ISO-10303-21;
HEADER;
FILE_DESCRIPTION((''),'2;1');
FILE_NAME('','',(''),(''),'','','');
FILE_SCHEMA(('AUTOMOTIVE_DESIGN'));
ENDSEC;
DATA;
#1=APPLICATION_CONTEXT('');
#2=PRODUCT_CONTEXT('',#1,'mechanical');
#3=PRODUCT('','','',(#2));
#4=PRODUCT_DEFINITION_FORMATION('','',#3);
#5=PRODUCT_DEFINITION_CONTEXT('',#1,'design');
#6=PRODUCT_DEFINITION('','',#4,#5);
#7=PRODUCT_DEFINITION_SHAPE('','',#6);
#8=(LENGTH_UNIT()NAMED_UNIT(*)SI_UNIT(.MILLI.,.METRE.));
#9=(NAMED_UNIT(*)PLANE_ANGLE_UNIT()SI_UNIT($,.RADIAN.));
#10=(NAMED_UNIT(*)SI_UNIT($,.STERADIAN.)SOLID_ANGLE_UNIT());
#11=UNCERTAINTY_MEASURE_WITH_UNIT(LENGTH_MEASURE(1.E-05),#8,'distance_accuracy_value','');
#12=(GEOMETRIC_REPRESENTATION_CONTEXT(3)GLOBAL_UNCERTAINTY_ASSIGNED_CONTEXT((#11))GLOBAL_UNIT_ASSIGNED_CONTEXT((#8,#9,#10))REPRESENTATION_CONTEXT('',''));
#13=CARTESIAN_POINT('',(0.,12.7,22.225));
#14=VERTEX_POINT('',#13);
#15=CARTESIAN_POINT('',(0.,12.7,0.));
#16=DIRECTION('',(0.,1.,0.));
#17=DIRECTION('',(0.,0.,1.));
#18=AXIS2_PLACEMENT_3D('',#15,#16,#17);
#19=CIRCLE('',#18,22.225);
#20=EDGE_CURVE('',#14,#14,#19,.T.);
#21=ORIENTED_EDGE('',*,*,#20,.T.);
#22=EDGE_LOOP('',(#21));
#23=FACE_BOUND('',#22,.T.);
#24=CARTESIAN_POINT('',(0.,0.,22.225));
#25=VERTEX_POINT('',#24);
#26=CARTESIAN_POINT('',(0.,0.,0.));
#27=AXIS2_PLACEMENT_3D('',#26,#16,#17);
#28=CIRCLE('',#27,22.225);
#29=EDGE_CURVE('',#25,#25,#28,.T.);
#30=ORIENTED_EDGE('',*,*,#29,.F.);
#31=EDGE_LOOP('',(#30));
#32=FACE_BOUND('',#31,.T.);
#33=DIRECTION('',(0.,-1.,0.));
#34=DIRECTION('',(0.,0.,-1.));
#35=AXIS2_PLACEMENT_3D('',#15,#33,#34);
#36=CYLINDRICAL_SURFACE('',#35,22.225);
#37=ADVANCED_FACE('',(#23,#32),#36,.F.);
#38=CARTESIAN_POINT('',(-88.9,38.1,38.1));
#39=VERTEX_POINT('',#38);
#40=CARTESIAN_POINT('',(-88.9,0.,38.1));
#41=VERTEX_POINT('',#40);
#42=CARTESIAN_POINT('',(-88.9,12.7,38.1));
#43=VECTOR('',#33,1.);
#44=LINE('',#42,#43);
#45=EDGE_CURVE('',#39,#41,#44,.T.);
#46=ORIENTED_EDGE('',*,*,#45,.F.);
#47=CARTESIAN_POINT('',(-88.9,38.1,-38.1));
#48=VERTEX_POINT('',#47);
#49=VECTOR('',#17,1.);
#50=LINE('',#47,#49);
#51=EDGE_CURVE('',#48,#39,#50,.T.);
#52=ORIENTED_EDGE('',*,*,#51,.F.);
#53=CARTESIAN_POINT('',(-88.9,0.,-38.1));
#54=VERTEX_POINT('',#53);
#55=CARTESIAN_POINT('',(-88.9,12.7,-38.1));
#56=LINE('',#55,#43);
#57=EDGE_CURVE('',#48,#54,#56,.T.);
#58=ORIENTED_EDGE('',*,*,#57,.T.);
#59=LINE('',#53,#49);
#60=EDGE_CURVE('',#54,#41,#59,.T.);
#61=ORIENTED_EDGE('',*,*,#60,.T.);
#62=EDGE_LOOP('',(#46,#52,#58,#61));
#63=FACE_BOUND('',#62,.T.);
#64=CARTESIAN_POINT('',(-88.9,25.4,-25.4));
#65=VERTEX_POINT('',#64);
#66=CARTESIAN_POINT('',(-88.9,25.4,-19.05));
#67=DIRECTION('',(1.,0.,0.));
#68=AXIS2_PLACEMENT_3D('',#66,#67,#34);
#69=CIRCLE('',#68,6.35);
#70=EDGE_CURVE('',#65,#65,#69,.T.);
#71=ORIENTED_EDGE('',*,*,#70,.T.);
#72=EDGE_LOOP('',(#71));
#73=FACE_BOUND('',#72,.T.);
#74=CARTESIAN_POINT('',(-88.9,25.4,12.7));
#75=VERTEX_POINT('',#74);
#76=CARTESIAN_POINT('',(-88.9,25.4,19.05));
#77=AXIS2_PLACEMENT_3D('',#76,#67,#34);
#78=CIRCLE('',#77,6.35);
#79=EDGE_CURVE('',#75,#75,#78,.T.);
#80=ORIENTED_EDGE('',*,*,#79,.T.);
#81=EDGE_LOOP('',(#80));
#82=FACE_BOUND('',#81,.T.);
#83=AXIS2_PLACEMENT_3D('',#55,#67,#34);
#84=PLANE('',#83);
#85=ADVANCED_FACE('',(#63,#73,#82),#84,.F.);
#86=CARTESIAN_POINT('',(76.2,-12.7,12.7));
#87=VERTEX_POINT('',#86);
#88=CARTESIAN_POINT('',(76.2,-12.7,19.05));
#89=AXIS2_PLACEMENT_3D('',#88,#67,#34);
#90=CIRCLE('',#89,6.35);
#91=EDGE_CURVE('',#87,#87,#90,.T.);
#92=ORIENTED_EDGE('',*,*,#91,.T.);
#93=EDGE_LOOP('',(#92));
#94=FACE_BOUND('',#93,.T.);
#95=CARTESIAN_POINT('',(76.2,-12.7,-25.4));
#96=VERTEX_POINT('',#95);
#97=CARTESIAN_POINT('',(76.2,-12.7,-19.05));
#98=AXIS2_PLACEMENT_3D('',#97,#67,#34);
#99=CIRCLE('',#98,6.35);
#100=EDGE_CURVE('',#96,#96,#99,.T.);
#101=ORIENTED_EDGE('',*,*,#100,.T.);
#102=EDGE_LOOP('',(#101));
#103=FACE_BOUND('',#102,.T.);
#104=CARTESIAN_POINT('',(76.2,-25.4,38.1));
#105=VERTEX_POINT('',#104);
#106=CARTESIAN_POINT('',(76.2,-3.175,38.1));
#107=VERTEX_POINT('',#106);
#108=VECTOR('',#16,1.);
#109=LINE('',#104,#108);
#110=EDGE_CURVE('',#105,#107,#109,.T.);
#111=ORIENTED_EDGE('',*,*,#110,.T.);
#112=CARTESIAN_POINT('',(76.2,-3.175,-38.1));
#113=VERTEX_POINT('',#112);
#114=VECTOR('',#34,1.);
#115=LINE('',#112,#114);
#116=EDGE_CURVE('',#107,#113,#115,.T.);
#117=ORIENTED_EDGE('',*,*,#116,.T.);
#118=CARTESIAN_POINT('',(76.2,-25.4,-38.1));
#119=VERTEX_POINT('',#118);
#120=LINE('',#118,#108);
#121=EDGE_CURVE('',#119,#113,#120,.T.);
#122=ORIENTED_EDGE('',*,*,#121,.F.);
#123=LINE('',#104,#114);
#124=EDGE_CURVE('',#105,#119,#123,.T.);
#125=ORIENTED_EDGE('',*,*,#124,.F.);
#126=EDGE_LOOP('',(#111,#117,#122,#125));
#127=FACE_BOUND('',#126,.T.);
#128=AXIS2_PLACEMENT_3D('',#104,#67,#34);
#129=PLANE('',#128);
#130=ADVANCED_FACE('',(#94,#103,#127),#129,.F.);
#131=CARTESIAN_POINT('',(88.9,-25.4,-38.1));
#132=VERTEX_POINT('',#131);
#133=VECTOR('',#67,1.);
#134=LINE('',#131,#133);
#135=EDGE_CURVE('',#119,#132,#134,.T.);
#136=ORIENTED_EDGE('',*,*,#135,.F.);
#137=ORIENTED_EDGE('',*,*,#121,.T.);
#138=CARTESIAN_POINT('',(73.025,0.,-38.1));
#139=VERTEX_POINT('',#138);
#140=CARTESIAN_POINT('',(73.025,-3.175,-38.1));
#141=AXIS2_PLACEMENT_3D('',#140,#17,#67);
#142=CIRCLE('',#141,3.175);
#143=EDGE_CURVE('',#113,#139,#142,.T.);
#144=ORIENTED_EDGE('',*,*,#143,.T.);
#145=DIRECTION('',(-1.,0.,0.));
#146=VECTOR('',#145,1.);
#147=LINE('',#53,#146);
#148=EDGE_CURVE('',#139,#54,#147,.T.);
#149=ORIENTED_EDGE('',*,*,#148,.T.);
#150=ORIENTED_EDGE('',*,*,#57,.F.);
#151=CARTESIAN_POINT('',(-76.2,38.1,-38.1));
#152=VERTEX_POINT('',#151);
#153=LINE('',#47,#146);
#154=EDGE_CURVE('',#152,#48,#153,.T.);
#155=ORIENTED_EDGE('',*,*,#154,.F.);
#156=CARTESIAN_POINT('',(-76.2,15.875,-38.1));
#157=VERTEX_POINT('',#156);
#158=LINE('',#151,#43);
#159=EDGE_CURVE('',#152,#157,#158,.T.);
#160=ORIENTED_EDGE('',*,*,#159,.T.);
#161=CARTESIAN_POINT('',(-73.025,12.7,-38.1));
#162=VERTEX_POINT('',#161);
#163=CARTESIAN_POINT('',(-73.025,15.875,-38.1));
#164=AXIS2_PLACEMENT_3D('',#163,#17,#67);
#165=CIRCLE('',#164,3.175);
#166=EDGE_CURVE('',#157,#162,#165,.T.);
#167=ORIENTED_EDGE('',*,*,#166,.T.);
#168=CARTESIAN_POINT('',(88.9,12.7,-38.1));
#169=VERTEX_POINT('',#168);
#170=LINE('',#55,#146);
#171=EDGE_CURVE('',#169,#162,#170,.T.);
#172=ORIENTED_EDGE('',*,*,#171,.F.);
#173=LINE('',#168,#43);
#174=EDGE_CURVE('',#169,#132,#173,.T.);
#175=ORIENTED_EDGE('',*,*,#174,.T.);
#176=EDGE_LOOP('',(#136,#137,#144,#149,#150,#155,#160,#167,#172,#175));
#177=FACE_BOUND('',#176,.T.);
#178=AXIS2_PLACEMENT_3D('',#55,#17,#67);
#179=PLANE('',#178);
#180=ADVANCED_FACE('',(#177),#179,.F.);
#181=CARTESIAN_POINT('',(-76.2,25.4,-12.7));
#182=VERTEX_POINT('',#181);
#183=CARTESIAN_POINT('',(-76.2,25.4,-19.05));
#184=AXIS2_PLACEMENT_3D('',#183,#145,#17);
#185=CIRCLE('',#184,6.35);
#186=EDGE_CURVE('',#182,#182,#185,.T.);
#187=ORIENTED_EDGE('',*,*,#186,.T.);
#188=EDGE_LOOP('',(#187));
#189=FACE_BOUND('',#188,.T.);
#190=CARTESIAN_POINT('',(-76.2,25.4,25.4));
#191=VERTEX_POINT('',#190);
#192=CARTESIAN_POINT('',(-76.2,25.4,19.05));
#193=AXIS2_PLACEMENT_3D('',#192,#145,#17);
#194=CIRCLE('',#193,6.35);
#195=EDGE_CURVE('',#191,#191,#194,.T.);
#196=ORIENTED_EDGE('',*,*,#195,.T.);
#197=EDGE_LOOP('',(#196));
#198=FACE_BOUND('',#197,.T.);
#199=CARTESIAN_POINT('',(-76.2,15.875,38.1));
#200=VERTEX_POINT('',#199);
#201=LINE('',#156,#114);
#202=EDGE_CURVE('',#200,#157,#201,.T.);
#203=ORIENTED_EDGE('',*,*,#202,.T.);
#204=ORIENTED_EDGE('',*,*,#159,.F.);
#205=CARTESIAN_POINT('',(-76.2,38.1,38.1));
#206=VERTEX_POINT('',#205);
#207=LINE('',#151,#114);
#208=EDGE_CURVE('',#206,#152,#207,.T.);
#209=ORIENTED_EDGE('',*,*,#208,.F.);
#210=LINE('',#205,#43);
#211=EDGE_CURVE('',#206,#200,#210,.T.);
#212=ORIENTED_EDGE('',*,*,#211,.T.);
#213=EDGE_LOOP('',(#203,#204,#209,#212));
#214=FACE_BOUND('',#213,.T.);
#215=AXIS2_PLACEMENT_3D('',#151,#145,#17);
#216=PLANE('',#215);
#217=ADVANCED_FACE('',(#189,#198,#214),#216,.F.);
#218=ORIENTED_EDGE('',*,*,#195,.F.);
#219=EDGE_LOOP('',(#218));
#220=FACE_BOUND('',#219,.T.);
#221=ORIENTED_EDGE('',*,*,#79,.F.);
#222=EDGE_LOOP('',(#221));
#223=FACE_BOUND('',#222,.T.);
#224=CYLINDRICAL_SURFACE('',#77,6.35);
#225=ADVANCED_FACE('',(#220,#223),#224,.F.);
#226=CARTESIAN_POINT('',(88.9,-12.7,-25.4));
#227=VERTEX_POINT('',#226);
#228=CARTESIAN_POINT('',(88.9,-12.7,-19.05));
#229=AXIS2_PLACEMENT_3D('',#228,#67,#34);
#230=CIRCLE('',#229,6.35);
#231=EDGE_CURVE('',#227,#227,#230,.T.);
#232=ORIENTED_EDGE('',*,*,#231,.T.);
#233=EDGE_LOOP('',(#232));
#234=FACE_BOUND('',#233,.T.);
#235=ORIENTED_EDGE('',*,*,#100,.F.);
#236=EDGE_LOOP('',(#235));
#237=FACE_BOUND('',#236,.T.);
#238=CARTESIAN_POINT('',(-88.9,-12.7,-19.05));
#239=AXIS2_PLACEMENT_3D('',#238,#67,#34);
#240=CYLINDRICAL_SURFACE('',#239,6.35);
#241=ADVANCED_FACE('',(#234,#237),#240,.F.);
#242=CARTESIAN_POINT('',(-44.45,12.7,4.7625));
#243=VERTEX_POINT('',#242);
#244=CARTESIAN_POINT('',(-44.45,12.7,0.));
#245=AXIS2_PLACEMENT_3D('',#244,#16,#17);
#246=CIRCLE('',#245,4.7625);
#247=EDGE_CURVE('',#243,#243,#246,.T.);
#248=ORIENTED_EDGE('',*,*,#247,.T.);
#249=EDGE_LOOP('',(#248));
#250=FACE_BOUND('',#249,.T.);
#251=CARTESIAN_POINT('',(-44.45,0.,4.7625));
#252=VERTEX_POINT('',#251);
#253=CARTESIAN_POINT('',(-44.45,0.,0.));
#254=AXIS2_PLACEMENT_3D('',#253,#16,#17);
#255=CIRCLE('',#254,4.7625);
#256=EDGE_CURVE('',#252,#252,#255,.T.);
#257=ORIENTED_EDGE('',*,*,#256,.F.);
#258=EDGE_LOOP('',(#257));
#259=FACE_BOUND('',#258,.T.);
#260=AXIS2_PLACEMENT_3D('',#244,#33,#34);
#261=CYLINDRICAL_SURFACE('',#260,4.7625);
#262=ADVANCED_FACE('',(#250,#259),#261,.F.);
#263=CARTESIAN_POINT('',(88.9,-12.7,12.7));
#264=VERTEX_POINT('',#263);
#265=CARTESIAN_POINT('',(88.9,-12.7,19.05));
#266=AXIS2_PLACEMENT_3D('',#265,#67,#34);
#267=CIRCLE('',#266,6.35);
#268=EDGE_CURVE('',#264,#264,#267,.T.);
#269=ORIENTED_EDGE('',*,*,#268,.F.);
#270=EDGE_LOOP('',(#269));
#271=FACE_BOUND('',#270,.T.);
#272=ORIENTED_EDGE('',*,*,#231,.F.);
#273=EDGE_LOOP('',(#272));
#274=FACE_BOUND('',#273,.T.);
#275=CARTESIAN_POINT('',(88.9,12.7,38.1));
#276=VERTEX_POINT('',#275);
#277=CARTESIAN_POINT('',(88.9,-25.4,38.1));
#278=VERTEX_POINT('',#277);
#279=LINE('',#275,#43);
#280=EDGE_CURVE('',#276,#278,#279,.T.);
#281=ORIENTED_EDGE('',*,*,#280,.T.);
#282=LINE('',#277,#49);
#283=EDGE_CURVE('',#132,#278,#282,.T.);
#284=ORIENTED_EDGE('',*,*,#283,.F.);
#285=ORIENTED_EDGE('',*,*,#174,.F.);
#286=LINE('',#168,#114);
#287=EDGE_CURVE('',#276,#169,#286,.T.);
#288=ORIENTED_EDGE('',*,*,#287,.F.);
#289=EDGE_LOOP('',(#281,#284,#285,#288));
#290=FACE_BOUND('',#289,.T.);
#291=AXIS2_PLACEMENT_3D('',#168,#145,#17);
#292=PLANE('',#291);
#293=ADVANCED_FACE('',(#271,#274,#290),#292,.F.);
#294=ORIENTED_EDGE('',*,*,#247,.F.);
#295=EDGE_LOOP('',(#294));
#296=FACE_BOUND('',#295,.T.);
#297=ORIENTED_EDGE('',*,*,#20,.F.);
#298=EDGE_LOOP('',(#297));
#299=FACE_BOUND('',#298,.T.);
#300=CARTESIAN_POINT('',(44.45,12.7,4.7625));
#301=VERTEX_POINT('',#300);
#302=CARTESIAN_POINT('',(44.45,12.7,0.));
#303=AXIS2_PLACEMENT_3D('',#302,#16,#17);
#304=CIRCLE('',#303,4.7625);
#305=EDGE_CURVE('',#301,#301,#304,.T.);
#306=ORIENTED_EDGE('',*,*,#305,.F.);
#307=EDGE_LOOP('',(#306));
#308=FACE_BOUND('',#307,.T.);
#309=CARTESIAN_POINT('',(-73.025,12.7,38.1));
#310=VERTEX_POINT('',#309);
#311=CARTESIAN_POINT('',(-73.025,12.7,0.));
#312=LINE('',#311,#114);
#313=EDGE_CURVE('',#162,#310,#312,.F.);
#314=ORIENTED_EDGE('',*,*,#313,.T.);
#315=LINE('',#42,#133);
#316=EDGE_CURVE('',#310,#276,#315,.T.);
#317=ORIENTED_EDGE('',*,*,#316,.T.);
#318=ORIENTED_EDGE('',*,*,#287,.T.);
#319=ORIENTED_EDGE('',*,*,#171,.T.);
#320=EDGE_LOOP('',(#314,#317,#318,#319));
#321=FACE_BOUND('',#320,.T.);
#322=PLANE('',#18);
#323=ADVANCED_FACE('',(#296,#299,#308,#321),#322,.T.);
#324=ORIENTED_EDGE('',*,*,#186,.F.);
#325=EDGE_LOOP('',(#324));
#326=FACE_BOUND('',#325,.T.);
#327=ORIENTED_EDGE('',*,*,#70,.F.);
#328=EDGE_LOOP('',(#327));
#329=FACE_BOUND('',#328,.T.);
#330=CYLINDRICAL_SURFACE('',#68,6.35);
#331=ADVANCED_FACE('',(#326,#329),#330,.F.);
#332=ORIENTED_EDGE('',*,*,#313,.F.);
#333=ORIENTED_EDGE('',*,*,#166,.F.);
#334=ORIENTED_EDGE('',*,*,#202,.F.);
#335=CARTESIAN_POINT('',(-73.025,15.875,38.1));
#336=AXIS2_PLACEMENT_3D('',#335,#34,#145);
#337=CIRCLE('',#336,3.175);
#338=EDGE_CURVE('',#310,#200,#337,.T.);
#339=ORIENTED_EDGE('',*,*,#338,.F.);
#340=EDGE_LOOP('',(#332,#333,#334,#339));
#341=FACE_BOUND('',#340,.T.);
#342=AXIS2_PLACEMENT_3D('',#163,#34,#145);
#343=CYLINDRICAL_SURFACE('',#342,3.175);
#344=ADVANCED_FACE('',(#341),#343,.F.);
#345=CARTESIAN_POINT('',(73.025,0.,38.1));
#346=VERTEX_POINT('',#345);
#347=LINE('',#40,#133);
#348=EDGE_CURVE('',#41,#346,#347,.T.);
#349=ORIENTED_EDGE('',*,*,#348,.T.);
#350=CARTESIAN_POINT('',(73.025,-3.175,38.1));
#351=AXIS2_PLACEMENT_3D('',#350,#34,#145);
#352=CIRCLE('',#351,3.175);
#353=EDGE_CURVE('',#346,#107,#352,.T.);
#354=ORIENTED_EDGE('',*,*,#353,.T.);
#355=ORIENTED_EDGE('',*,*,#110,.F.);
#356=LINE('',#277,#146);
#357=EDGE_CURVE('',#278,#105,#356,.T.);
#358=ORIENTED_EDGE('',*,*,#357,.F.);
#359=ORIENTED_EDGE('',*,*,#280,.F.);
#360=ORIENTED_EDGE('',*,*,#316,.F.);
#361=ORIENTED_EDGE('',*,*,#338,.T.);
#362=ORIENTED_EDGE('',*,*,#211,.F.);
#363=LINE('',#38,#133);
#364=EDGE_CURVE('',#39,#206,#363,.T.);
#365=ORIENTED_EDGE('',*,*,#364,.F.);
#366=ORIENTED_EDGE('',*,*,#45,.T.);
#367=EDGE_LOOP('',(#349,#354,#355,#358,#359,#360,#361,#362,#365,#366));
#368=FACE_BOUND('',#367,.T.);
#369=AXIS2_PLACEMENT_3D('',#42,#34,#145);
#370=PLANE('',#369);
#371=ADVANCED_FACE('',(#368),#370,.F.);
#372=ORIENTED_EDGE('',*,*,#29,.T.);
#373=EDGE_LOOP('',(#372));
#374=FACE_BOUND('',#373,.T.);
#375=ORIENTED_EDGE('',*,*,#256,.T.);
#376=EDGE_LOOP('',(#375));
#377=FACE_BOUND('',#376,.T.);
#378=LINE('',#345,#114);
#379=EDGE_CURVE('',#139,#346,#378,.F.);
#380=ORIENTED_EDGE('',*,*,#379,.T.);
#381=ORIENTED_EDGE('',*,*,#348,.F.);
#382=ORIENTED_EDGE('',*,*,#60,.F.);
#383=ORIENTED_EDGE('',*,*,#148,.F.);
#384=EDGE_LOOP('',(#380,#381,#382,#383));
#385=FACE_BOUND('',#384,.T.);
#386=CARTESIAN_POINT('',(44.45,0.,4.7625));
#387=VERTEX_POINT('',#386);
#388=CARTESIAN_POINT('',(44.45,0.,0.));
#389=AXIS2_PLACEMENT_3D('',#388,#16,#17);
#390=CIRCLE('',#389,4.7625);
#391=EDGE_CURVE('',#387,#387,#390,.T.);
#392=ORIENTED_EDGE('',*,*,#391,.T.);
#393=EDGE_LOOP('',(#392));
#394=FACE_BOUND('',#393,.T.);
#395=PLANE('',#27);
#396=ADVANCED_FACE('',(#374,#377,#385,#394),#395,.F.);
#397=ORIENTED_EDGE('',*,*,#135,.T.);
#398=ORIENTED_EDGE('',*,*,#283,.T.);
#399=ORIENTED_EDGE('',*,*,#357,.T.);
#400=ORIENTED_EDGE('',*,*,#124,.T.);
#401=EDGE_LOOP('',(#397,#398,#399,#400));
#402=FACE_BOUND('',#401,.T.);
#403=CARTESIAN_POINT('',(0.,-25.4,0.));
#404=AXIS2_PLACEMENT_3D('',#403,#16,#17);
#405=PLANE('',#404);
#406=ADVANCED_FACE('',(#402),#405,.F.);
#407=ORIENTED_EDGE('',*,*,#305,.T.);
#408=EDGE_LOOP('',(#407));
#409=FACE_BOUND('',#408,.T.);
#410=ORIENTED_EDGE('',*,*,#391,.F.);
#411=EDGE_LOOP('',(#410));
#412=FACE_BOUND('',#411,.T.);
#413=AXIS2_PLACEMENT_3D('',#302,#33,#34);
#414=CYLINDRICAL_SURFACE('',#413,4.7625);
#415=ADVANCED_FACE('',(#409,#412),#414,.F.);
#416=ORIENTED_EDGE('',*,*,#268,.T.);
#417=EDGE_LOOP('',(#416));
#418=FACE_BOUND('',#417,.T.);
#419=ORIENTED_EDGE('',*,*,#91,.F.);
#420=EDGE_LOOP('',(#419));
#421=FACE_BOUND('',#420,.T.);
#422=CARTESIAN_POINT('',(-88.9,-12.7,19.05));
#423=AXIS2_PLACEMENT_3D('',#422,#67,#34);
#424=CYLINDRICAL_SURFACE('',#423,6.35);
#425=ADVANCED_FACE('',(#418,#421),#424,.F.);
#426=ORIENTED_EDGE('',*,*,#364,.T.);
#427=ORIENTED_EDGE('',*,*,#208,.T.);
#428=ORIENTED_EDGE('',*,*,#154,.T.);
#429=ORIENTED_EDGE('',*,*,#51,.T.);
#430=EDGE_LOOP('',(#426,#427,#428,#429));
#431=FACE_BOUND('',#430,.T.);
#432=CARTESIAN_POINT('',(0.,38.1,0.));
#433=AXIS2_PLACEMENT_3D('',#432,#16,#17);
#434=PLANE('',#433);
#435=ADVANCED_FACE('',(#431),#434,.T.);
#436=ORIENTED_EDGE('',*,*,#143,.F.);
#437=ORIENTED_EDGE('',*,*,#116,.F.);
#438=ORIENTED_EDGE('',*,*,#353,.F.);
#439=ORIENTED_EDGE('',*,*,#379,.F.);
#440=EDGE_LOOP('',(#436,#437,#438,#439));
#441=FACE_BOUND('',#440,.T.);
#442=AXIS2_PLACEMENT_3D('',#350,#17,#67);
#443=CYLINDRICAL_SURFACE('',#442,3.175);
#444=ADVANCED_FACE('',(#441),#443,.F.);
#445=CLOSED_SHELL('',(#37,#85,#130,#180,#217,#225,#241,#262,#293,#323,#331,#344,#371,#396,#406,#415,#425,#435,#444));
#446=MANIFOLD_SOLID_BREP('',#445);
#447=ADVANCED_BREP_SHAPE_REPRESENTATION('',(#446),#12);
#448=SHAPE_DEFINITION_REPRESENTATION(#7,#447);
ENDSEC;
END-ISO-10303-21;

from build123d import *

# Parameters (mm, degrees)
SKETCH1_W               = 177.8
SKETCH1_H               = 76.2
SKETCH1_R               = 22.225
SKETCH1_R_2             = 4.7625
BOSS_EXTRUDE1_DEPTH     = 12.7
SKETCH2_W               = 12.7
SKETCH2_H               = 76.2
BOSS_EXTRUDE2_DEPTH     = 25.4
SKETCH3_W               = 12.7
SKETCH3_H               = 76.2
BOSS_EXTRUDE3_DEPTH     = 25.4
CUT_EXTRUDE1_DEPTH      = 174.669888006
CUT_EXTRUDE1_DEPTH_BACK = 174.669888006
SKETCH4_R               = 6.35
FILLET1_R               = 3.175


with BuildPart() as part:
    # Sketch1 → Boss-Extrude1 (new body)
    with BuildSketch(Plane(origin=(0, 0, 0), x_dir=(1, 0, 0), z_dir=(0, 1, 0))):
        Rectangle(SKETCH1_W, SKETCH1_H)
        with Locations(Location((0, 0, 0), (0, 0, 270))):
            Circle(SKETCH1_R, mode=Mode.SUBTRACT)
        with Locations(Location((-44.45, 0, 0), (0, 0, 270))):
            Circle(SKETCH1_R_2, mode=Mode.SUBTRACT)
        with Locations(Location((44.45, 0, 0), (0, 0, 270))):
            Circle(SKETCH1_R_2, mode=Mode.SUBTRACT)
    extrude(amount=BOSS_EXTRUDE1_DEPTH)

    # Sketch2 → Boss-Extrude2 (add)
    with BuildSketch(Plane(origin=(0, 12.7, 0), x_dir=(1, 0, 0), z_dir=(0, 1, 0))):
        with Locations((-82.55, 0)):
            Rectangle(SKETCH2_W, SKETCH2_H)
    extrude(amount=BOSS_EXTRUDE2_DEPTH)

    # Sketch3 → Boss-Extrude3 (add)
    with BuildSketch(Plane.XZ):
        with Locations((82.55, 0)):
            Rectangle(SKETCH3_W, SKETCH3_H)
    extrude(amount=BOSS_EXTRUDE3_DEPTH)

    # Sketch4 → Cut-Extrude1 (cut, two sides: drawn at the far end of the back side and taken through both)
    with BuildSketch(Plane(origin=(-76.2, 0, 0), x_dir=(0, 0, -1), z_dir=(1, 0, 0)).offset(-CUT_EXTRUDE1_DEPTH_BACK)):
        with Locations((-19.05, 25.4)):
            Circle(SKETCH4_R)
        with Locations((19.05, 25.4)):
            Circle(SKETCH4_R)
        with Locations((-19.05, -12.7)):
            Circle(SKETCH4_R)
        with Locations((19.05, -12.7)):
            Circle(SKETCH4_R)
    extrude(amount=CUT_EXTRUDE1_DEPTH + CUT_EXTRUDE1_DEPTH_BACK, mode=Mode.SUBTRACT)

    # Fillet1
    fillet1_edges = [part.edges().sort_by_distance(p)[0] for p in [
        (-76.2, 12.7, 0),
        (76.2, 0, 0),
    ]]
    fillet(fillet1_edges, radius=FILLET1_R)


solid = part.part
